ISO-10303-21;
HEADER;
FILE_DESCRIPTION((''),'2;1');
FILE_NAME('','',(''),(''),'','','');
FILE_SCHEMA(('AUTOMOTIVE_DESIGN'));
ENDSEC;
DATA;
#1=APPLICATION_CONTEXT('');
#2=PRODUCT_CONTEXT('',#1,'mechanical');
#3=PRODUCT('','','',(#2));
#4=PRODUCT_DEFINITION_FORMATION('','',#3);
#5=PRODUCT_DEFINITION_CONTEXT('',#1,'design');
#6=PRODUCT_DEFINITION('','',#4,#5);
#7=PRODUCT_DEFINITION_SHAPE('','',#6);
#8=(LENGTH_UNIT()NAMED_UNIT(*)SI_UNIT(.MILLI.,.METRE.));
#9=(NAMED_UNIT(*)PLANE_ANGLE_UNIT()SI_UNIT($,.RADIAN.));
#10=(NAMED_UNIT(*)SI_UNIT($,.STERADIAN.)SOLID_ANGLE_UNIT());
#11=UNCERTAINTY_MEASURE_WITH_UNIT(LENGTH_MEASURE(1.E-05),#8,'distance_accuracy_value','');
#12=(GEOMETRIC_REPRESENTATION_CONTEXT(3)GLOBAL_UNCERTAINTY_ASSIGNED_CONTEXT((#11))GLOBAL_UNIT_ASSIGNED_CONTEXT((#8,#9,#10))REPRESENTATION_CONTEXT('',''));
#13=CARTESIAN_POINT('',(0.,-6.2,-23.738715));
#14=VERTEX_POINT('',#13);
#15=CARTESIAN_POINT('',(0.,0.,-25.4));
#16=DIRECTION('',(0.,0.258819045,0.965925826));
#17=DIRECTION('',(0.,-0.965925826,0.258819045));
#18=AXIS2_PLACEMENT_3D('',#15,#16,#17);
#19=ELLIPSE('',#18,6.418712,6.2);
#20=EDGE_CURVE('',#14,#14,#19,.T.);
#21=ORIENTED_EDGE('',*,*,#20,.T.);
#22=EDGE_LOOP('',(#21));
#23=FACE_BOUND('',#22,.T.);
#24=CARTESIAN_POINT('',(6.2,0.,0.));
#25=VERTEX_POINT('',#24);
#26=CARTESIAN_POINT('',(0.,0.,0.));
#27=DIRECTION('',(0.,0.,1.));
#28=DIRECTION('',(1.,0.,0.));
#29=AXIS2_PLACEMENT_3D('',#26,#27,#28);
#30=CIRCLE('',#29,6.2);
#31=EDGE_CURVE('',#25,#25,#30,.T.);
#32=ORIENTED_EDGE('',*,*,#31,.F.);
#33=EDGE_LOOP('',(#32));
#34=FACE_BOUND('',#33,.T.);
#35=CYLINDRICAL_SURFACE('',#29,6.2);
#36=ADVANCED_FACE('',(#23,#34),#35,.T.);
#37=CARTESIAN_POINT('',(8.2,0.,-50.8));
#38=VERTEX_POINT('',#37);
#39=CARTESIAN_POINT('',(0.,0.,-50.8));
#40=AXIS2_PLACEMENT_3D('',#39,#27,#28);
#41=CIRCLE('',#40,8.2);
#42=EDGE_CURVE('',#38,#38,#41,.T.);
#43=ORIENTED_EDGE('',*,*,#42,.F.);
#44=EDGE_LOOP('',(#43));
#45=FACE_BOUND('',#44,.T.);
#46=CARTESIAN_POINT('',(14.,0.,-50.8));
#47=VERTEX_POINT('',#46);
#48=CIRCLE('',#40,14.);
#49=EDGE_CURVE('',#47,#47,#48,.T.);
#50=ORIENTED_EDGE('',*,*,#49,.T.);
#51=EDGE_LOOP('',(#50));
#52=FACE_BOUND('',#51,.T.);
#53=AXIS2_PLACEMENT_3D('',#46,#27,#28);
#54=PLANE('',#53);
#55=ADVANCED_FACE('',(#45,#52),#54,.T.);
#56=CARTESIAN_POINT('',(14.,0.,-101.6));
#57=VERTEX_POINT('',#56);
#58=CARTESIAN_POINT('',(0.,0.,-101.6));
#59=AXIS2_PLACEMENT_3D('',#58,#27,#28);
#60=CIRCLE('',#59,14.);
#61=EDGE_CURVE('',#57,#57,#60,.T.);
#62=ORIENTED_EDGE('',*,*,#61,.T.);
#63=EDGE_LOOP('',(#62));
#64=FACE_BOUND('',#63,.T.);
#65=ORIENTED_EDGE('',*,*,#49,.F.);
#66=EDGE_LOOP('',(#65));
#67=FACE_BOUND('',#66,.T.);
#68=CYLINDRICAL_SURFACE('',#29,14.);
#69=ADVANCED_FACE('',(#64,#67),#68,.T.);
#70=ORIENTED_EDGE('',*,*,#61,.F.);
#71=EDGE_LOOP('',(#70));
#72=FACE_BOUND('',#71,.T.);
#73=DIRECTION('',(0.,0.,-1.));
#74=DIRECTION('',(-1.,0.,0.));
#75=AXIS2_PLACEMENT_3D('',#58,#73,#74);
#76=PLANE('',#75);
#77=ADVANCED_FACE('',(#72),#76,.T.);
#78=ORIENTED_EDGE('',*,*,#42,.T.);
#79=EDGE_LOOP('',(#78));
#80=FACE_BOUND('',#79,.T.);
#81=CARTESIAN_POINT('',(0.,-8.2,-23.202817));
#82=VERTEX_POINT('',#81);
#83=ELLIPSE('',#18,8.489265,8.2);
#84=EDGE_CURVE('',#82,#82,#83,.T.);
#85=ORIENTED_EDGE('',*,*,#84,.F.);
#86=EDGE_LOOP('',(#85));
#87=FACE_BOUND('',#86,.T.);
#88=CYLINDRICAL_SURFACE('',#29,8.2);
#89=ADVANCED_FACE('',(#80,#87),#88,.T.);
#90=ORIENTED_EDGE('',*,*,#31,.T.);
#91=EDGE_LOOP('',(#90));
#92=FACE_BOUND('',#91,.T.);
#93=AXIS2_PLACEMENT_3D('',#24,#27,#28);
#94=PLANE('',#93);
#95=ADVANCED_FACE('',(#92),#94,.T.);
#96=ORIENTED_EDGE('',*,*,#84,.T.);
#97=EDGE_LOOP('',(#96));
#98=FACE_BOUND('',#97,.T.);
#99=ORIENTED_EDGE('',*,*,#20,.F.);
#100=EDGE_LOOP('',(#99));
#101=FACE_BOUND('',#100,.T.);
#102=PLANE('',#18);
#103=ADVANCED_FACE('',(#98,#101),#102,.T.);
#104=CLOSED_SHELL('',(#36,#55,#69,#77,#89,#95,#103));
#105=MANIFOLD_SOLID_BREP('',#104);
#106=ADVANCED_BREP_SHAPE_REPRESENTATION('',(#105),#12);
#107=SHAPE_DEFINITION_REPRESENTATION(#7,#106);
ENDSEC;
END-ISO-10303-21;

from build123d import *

# Parameters (mm, degrees)
DRAFT1_ANGLE = 15


with BuildPart() as part:
    # Sketch4 → Revolve1 (revolve)
    with BuildSketch(Plane(origin=(0, 0, 0), x_dir=(1, 0, 0), z_dir=(0, 1, 0))):
        Polygon((0, 101.6), (14, 101.6), (14, 50.8), (8.2, 50.8), (8.2, 25.4), (6.2, 25.4), (6.2, 0), (0, 0), align=None)
    revolve(axis=Axis((0, 0, 0), (0, 0, -1)))

    # Draft1
    draft1_faces = [part.faces().sort_by_distance(p)[0] for p in [
        (-7.968068976, 0, -25.4),
    ]]
    draft(draft1_faces, Plane.ZX, DRAFT1_ANGLE)


solid = part.part
